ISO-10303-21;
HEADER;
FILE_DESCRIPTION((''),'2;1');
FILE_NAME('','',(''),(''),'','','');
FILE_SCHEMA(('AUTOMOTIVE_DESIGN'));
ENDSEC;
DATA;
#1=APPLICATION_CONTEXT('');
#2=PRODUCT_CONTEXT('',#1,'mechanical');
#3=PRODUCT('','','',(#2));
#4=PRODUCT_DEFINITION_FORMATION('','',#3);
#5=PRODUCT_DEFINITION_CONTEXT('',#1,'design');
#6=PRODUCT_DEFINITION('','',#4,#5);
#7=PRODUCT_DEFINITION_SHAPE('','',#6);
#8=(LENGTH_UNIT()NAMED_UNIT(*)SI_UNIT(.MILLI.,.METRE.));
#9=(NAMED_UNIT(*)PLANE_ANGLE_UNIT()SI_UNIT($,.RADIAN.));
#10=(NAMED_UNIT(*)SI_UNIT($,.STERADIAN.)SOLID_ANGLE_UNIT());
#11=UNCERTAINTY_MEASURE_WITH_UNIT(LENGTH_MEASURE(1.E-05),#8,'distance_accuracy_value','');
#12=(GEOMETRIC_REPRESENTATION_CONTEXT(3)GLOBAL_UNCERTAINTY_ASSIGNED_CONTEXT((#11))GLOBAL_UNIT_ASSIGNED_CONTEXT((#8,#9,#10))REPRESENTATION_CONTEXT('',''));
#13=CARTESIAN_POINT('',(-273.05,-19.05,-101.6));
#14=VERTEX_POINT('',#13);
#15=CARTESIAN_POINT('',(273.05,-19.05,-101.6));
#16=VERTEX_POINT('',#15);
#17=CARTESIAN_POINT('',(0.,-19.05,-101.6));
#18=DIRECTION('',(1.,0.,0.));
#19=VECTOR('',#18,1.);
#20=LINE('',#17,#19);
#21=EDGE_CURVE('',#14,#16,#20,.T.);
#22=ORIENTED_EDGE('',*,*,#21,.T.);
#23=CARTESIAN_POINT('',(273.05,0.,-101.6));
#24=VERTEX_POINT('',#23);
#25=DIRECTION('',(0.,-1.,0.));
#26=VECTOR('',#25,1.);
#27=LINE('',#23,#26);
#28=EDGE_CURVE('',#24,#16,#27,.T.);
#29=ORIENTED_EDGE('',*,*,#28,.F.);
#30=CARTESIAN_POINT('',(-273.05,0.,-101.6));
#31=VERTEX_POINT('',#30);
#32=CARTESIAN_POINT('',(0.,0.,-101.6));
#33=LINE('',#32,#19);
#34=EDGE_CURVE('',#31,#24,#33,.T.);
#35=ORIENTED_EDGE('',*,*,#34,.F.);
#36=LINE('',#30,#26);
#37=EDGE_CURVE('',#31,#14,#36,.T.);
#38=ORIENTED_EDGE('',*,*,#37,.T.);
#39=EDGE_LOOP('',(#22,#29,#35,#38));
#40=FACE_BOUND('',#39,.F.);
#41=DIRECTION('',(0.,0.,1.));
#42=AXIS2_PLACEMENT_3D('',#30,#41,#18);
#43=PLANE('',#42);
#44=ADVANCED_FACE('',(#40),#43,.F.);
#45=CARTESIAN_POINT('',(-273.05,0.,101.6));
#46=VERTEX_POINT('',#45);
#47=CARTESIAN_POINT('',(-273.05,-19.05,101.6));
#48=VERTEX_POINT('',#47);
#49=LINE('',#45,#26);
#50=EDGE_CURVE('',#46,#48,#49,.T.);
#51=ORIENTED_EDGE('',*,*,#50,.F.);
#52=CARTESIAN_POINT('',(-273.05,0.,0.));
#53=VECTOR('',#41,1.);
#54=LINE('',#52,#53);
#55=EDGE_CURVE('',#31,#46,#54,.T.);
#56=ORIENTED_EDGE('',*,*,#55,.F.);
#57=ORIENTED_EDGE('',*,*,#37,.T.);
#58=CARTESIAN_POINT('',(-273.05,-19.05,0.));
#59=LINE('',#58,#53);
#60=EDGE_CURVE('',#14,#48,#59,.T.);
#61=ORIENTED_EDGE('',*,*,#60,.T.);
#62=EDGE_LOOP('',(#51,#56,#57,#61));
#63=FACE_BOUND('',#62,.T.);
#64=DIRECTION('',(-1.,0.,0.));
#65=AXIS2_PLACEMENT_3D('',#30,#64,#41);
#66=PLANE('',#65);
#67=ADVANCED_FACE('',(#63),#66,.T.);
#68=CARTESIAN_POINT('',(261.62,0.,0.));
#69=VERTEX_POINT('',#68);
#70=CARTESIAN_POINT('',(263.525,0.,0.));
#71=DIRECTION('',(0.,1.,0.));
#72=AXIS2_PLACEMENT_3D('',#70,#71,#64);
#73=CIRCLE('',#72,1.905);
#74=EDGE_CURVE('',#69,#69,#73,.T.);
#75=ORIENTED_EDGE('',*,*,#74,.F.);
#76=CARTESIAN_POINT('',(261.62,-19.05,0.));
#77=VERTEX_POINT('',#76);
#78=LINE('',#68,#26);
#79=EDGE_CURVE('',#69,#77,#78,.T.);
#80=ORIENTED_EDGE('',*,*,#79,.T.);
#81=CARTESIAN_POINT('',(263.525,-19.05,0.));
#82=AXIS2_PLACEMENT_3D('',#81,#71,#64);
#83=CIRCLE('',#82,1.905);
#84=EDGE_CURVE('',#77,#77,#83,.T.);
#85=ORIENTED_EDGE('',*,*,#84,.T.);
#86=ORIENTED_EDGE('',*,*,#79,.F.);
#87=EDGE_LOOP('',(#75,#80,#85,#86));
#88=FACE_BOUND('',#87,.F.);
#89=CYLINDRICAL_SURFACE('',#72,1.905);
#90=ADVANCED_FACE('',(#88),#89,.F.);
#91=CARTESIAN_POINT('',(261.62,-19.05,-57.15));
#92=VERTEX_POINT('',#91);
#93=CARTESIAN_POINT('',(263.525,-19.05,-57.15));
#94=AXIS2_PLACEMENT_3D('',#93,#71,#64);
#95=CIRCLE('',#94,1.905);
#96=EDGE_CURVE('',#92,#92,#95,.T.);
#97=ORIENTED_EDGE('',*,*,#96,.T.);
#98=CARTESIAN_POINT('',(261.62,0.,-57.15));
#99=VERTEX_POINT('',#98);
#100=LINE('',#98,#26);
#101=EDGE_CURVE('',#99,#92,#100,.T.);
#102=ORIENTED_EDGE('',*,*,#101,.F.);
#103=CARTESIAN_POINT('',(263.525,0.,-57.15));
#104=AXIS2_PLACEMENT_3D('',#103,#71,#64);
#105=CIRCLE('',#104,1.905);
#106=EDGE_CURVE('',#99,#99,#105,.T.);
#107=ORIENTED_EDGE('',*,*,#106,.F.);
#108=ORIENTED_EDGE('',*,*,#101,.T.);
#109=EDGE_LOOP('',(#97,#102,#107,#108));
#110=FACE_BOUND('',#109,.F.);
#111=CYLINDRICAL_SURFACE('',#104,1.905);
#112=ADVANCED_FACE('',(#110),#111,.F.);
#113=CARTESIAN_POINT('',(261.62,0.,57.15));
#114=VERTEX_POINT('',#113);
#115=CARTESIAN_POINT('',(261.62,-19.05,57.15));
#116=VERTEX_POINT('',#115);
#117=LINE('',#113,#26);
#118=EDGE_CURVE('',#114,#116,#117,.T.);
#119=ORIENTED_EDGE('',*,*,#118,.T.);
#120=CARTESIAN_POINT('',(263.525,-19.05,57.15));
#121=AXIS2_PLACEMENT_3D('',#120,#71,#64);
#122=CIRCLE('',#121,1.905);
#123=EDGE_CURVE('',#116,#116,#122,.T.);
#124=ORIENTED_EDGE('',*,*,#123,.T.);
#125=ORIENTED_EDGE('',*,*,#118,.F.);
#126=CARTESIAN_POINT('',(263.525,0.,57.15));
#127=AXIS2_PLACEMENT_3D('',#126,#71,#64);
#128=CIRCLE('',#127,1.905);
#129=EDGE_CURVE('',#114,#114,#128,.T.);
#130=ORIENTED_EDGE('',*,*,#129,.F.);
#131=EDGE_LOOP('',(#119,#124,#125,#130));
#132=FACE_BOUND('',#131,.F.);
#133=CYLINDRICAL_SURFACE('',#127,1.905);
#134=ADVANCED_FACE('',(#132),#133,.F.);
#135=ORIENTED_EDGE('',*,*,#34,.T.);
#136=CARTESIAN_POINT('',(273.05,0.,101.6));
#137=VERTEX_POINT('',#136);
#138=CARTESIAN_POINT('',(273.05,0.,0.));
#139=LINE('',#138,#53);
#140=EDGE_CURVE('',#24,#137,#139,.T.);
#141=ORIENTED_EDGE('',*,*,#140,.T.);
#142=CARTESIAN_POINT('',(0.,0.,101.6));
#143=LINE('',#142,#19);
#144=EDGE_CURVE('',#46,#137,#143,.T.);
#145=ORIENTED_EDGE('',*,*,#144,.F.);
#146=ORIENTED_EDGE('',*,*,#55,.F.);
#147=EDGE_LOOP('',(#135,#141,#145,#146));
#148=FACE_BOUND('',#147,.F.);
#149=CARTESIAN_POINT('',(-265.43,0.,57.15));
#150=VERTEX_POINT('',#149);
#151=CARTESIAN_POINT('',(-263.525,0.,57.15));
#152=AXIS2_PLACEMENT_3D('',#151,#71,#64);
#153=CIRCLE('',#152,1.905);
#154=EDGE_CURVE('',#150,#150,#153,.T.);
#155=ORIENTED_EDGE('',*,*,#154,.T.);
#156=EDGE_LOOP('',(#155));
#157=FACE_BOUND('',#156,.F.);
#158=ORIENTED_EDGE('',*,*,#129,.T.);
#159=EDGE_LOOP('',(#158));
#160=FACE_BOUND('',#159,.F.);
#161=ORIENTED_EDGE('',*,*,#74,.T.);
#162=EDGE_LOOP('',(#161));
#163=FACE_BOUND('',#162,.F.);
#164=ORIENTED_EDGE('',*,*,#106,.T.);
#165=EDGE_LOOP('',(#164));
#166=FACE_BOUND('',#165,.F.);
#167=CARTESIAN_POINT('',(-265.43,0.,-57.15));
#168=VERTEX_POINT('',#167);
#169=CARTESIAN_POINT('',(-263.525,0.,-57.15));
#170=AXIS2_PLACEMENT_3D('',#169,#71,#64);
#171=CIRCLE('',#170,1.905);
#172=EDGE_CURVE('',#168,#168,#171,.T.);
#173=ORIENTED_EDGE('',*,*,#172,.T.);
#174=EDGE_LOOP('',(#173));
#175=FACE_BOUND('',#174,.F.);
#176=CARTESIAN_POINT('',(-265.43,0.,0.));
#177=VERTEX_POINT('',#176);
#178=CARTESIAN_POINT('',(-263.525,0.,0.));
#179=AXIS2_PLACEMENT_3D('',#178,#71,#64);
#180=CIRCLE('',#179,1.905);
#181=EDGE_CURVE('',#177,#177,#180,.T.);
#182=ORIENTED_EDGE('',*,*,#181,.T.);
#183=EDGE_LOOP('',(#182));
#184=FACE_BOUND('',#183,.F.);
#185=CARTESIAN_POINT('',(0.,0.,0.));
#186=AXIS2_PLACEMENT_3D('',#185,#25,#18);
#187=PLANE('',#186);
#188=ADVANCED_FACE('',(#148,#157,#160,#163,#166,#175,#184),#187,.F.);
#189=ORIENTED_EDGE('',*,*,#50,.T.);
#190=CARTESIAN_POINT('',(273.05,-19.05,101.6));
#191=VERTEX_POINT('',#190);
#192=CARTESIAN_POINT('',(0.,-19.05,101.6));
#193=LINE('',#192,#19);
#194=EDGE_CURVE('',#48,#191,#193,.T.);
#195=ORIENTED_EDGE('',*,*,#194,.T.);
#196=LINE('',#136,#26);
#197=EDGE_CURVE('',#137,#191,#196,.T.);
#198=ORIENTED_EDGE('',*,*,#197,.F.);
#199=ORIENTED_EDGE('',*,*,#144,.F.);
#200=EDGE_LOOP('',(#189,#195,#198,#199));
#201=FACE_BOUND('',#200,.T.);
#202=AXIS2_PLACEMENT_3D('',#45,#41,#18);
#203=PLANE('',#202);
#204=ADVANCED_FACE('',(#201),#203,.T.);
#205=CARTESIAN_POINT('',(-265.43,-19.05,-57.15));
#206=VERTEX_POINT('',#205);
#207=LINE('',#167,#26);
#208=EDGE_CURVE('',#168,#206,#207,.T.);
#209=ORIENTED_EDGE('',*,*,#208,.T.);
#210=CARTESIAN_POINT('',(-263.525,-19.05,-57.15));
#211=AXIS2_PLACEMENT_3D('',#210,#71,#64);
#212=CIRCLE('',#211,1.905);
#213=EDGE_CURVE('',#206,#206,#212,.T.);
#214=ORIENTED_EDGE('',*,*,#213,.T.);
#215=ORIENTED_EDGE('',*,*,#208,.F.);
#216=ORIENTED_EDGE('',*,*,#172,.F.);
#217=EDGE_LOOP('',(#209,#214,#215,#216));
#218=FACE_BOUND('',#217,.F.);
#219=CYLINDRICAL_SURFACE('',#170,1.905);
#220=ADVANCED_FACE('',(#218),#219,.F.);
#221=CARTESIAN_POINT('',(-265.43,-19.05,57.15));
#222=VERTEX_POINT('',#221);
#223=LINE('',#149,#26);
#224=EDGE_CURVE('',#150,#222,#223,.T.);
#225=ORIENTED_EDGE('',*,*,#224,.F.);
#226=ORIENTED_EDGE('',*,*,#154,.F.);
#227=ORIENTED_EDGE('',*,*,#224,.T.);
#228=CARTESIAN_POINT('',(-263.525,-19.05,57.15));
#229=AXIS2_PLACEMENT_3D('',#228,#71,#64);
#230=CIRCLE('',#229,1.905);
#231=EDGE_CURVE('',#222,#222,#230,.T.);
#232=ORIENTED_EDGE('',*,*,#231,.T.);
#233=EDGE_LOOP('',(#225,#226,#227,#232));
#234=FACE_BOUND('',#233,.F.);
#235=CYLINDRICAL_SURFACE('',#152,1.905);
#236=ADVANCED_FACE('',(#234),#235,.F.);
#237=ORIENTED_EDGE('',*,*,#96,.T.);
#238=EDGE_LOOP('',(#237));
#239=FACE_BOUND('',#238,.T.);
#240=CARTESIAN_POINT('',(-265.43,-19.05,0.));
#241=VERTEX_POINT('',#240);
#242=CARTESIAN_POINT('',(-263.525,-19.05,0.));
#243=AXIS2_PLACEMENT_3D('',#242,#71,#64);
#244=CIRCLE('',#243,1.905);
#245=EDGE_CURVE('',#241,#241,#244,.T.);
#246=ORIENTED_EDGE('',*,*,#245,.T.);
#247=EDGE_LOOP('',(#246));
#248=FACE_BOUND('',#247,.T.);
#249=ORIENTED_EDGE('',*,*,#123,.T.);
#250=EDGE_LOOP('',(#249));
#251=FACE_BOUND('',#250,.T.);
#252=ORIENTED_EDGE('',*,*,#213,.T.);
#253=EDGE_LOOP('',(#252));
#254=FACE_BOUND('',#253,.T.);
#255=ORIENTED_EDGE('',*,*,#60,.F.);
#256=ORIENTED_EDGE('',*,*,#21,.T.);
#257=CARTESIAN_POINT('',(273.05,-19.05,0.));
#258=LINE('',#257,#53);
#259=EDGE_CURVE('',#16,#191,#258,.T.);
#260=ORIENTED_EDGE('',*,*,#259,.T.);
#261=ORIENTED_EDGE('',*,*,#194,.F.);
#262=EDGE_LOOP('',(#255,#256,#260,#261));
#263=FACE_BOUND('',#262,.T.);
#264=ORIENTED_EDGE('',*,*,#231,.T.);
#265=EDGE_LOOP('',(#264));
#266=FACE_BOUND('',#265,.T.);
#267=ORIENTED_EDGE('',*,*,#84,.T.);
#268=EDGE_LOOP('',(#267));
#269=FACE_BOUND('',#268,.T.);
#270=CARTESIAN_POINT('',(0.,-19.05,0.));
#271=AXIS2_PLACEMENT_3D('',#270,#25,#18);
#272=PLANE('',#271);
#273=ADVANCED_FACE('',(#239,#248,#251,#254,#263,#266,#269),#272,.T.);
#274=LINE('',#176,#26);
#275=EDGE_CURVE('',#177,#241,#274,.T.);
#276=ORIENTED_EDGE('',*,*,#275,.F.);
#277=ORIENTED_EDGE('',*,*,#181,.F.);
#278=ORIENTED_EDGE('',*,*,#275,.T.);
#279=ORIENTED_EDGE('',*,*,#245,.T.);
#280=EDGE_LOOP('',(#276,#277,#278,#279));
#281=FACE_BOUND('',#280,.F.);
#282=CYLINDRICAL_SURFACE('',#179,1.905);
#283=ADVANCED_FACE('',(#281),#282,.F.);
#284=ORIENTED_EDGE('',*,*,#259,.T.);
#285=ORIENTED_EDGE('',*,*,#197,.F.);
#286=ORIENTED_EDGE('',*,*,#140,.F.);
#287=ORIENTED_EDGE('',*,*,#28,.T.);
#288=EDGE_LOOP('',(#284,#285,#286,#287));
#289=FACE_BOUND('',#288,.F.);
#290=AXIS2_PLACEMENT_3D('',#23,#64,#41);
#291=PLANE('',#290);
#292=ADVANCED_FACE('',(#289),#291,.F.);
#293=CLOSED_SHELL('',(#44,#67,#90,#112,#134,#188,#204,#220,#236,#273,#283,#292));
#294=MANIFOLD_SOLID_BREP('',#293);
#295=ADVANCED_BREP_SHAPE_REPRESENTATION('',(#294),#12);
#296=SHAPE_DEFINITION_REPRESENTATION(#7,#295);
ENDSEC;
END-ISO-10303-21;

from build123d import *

# Parameters (mm, degrees)
F0_W     = 546.1
F0_H     = 203.2
F1_DEPTH = 19.05
F2_R     = 1.905
F3_DEPTH = 19.051


with BuildPart() as f1:
    # F0 (on Front) → F1 (new body)
    with BuildSketch(Plane.XZ):
        Rectangle(F0_W, F0_H)
    extrude(amount=F1_DEPTH)

    # F2 (on face) → F3 (cut, through all)
    with BuildSketch(Plane(origin=(0, 0, 0), x_dir=(-1, 0, 0), z_dir=(0, 1, 0))):
        with Locations((-263.525, 57.15)):
            Circle(F2_R)
        with Locations((-263.525, 0)):
            Circle(F2_R)
        with Locations((-263.525, -57.15)):
            Circle(F2_R)
        with Locations((263.525, 57.15)):
            Circle(F2_R)
        with Locations((263.525, -57.15)):
            Circle(F2_R)
        with Locations((263.525, 0)):
            Circle(F2_R)
    extrude(amount=-F3_DEPTH, mode=Mode.SUBTRACT)


solid = f1.part
